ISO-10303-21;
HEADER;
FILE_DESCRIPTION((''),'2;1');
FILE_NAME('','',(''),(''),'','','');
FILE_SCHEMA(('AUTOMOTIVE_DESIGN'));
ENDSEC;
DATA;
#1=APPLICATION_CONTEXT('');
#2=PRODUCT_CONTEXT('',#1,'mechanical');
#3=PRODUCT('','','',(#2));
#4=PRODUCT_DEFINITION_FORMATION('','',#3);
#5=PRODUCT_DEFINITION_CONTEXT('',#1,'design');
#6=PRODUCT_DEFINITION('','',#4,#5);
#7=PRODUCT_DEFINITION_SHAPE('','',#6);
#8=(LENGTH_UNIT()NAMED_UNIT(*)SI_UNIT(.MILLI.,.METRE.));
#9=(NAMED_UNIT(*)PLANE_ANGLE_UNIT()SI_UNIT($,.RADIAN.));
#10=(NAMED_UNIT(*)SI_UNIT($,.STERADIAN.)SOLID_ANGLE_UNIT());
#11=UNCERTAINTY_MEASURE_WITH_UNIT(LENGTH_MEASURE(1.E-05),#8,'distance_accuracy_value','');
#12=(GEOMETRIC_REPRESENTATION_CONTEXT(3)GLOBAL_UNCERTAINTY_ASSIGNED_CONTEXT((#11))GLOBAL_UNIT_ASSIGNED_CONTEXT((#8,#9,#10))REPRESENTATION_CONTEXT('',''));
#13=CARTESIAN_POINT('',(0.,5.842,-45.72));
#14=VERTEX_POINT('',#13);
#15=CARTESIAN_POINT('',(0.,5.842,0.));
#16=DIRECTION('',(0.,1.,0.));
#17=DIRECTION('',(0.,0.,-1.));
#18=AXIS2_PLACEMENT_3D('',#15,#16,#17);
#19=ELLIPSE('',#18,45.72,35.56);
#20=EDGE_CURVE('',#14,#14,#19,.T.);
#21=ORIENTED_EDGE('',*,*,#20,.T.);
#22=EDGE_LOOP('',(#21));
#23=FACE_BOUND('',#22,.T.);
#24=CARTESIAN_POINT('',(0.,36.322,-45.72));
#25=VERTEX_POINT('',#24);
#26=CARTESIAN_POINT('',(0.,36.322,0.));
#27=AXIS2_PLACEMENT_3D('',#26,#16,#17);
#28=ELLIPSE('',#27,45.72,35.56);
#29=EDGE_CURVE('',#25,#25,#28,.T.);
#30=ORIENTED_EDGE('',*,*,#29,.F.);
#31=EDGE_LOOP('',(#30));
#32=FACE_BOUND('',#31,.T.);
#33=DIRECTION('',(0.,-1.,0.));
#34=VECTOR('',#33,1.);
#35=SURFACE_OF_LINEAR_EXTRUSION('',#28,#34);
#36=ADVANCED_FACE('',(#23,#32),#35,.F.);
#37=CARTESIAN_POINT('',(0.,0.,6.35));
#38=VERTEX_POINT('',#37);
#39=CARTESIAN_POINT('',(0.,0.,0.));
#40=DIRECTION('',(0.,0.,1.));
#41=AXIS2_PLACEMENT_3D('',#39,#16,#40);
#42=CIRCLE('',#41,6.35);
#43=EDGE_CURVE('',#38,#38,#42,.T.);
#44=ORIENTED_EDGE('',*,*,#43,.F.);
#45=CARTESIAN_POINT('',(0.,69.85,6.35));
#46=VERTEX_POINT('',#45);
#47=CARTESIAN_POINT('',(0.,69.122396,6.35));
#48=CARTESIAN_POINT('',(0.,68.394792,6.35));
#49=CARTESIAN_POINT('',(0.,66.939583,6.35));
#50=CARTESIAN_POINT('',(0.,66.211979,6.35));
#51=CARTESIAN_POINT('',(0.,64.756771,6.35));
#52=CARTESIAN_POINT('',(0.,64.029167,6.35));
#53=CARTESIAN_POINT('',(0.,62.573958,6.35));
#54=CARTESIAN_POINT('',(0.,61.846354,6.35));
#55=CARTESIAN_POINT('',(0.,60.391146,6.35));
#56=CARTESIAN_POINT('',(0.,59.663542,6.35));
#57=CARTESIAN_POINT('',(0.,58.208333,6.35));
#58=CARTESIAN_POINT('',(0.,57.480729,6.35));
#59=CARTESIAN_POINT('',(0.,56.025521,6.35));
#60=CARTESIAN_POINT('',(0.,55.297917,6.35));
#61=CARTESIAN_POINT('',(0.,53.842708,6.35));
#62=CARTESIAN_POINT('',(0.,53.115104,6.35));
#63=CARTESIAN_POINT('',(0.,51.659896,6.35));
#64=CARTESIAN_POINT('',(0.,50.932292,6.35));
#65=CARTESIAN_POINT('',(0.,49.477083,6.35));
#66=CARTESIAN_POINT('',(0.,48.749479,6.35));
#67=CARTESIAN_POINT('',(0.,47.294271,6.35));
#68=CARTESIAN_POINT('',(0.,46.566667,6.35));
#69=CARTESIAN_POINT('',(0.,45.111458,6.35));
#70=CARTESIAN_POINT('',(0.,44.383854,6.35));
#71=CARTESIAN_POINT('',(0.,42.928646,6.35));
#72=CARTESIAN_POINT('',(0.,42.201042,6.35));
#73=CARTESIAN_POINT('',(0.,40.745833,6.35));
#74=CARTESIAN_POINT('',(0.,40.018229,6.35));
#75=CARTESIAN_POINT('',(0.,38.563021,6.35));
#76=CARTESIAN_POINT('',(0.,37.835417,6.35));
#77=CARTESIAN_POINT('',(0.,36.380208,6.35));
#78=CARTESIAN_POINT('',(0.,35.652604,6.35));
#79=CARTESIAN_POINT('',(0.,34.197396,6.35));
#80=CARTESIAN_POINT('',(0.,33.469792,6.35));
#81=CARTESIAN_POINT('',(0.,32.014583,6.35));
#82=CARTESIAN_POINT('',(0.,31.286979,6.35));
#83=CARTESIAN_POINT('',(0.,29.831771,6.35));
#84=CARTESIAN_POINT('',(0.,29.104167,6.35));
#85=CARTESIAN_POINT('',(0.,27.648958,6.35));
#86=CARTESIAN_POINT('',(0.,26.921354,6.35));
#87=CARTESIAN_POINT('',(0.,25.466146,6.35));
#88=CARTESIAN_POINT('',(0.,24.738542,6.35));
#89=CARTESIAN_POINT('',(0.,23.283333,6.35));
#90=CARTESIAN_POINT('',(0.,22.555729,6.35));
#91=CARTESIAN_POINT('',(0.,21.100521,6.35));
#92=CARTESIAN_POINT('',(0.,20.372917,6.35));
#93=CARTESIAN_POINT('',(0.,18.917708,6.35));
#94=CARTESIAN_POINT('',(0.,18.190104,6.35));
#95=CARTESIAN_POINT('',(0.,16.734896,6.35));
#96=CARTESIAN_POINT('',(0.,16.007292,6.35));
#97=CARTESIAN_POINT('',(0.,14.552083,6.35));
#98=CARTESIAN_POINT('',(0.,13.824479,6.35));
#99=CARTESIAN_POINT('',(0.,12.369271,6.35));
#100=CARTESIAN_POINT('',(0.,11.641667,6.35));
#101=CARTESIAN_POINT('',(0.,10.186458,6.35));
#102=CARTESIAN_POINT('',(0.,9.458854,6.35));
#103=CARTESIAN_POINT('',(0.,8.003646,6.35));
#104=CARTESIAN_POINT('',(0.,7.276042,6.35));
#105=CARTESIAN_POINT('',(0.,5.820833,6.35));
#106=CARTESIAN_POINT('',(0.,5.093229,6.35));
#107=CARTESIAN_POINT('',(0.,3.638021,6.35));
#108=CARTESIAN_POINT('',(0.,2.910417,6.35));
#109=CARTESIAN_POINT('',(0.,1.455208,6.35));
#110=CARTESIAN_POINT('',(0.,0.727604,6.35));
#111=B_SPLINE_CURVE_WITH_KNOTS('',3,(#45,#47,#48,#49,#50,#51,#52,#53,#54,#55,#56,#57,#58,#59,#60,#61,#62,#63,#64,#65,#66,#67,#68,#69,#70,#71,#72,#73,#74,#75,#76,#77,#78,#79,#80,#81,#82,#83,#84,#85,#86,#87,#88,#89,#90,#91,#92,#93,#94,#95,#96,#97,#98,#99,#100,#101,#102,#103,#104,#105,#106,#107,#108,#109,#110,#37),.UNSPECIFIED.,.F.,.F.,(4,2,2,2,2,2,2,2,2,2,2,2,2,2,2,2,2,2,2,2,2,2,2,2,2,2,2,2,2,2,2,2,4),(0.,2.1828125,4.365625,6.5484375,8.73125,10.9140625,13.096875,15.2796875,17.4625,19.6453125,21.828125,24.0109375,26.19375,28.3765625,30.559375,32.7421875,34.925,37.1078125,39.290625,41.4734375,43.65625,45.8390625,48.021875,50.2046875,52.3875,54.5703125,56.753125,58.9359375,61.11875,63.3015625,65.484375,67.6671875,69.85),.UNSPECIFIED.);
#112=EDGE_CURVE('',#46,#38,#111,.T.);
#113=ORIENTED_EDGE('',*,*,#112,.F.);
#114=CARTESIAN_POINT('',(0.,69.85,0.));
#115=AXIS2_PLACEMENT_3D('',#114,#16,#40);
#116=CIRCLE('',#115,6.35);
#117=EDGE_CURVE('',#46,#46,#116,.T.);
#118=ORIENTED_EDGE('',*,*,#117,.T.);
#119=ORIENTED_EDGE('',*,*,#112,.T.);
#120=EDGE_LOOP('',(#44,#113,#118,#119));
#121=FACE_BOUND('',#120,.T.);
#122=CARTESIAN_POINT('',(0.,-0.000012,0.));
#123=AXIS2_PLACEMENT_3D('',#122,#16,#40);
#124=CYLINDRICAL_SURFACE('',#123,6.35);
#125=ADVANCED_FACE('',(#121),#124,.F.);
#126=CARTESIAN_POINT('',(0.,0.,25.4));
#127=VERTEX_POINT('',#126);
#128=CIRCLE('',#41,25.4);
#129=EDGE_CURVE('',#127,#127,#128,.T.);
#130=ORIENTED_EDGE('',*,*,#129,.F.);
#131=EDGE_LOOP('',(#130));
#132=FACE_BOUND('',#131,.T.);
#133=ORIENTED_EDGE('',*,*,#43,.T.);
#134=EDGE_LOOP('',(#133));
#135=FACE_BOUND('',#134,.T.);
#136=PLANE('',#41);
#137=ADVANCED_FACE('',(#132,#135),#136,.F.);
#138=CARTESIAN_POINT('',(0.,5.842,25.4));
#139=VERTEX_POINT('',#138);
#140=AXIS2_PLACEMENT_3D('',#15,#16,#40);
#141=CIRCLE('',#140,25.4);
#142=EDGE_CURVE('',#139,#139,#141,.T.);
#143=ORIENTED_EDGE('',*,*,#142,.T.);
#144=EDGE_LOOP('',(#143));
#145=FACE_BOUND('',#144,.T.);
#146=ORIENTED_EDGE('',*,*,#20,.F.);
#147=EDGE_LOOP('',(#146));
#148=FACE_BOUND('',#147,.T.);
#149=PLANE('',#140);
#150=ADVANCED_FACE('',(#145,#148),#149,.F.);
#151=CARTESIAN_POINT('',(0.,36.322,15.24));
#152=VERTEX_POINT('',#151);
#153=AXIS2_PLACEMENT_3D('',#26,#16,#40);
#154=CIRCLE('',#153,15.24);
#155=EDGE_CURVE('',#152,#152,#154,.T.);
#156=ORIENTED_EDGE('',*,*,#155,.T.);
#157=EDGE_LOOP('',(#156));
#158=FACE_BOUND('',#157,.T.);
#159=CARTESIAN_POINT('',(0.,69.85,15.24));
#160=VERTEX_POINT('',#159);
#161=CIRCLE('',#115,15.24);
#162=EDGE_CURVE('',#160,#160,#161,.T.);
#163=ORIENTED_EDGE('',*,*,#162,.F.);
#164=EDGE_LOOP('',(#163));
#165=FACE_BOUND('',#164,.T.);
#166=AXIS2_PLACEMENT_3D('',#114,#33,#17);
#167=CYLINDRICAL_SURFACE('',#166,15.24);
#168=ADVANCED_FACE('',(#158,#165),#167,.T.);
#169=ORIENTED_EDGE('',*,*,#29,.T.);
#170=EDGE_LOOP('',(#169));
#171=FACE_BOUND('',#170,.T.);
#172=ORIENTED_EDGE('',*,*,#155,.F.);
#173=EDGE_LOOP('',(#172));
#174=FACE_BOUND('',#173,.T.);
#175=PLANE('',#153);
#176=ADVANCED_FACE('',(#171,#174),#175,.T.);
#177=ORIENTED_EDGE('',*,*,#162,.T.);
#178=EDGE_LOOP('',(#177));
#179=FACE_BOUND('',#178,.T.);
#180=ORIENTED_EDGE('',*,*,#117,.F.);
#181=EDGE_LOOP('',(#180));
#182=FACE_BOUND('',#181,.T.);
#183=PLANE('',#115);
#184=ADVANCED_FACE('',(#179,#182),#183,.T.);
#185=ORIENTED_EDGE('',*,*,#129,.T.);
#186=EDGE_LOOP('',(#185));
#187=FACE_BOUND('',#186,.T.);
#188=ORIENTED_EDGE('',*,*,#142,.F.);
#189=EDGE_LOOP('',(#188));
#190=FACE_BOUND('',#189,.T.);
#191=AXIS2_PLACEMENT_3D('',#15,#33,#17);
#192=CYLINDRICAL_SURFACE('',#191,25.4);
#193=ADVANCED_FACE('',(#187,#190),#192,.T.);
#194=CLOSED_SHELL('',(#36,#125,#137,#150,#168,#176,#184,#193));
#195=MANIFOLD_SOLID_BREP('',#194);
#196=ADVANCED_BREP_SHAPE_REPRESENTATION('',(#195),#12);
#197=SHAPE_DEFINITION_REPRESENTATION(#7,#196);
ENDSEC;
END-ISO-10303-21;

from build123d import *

# Parameters (mm, degrees)
SKETCH1_R               = 25.4
BOSS_EXTRUDE1_DEPTH     = 5.842
SKETCH2_RX              = 45.72
SKETCH2_RY              = 35.56
BOSS_EXTRUDE2_DEPTH     = 30.48
SKETCH3_R               = 15.24
BOSS_EXTRUDE3_DEPTH     = 33.528
CUT_EXTRUDE2_DEPTH      = 91.740589044
CUT_EXTRUDE2_DEPTH_BACK = 91.740589044
SKETCH4_R               = 6.35


with BuildPart() as part:
    # Sketch1 → Boss-Extrude1 (new body)
    with BuildSketch(Plane(origin=(0, 0, 0), x_dir=(1, 0, 0), z_dir=(0, 1, 0))):
        with Locations(Location((0, 0, 0), (0, 0, 270))):
            Circle(SKETCH1_R)
    extrude(amount=BOSS_EXTRUDE1_DEPTH)

    # Sketch2 → Boss-Extrude2 (add)
    with BuildSketch(Plane(origin=(0, 5.842, 0), x_dir=(1, 0, 0), z_dir=(0, 1, 0))):
        with Locations(Location((0, 0), (0, 0, 90))):
            Ellipse(SKETCH2_RX, SKETCH2_RY)
    extrude(amount=BOSS_EXTRUDE2_DEPTH)

    # Sketch3 → Boss-Extrude3 (add)
    with BuildSketch(Plane(origin=(0, 36.322, 0), x_dir=(1, 0, 0), z_dir=(0, 1, 0))):
        with Locations(Location((0, 0, 0), (0, 0, 270))):
            Circle(SKETCH3_R)
    extrude(amount=BOSS_EXTRUDE3_DEPTH)

    # Sketch4 → Cut-Extrude2 (cut, two sides: drawn at the far end of the back side and taken through both)
    with BuildSketch(Plane(origin=(0, 0, 0), x_dir=(1, 0, 0), z_dir=(0, 1, 0)).offset(-CUT_EXTRUDE2_DEPTH_BACK)):
        with Locations(Location((0, 0, 0), (0, 0, 270))):
            Circle(SKETCH4_R)
    extrude(amount=CUT_EXTRUDE2_DEPTH + CUT_EXTRUDE2_DEPTH_BACK, mode=Mode.SUBTRACT)


solid = part.part
